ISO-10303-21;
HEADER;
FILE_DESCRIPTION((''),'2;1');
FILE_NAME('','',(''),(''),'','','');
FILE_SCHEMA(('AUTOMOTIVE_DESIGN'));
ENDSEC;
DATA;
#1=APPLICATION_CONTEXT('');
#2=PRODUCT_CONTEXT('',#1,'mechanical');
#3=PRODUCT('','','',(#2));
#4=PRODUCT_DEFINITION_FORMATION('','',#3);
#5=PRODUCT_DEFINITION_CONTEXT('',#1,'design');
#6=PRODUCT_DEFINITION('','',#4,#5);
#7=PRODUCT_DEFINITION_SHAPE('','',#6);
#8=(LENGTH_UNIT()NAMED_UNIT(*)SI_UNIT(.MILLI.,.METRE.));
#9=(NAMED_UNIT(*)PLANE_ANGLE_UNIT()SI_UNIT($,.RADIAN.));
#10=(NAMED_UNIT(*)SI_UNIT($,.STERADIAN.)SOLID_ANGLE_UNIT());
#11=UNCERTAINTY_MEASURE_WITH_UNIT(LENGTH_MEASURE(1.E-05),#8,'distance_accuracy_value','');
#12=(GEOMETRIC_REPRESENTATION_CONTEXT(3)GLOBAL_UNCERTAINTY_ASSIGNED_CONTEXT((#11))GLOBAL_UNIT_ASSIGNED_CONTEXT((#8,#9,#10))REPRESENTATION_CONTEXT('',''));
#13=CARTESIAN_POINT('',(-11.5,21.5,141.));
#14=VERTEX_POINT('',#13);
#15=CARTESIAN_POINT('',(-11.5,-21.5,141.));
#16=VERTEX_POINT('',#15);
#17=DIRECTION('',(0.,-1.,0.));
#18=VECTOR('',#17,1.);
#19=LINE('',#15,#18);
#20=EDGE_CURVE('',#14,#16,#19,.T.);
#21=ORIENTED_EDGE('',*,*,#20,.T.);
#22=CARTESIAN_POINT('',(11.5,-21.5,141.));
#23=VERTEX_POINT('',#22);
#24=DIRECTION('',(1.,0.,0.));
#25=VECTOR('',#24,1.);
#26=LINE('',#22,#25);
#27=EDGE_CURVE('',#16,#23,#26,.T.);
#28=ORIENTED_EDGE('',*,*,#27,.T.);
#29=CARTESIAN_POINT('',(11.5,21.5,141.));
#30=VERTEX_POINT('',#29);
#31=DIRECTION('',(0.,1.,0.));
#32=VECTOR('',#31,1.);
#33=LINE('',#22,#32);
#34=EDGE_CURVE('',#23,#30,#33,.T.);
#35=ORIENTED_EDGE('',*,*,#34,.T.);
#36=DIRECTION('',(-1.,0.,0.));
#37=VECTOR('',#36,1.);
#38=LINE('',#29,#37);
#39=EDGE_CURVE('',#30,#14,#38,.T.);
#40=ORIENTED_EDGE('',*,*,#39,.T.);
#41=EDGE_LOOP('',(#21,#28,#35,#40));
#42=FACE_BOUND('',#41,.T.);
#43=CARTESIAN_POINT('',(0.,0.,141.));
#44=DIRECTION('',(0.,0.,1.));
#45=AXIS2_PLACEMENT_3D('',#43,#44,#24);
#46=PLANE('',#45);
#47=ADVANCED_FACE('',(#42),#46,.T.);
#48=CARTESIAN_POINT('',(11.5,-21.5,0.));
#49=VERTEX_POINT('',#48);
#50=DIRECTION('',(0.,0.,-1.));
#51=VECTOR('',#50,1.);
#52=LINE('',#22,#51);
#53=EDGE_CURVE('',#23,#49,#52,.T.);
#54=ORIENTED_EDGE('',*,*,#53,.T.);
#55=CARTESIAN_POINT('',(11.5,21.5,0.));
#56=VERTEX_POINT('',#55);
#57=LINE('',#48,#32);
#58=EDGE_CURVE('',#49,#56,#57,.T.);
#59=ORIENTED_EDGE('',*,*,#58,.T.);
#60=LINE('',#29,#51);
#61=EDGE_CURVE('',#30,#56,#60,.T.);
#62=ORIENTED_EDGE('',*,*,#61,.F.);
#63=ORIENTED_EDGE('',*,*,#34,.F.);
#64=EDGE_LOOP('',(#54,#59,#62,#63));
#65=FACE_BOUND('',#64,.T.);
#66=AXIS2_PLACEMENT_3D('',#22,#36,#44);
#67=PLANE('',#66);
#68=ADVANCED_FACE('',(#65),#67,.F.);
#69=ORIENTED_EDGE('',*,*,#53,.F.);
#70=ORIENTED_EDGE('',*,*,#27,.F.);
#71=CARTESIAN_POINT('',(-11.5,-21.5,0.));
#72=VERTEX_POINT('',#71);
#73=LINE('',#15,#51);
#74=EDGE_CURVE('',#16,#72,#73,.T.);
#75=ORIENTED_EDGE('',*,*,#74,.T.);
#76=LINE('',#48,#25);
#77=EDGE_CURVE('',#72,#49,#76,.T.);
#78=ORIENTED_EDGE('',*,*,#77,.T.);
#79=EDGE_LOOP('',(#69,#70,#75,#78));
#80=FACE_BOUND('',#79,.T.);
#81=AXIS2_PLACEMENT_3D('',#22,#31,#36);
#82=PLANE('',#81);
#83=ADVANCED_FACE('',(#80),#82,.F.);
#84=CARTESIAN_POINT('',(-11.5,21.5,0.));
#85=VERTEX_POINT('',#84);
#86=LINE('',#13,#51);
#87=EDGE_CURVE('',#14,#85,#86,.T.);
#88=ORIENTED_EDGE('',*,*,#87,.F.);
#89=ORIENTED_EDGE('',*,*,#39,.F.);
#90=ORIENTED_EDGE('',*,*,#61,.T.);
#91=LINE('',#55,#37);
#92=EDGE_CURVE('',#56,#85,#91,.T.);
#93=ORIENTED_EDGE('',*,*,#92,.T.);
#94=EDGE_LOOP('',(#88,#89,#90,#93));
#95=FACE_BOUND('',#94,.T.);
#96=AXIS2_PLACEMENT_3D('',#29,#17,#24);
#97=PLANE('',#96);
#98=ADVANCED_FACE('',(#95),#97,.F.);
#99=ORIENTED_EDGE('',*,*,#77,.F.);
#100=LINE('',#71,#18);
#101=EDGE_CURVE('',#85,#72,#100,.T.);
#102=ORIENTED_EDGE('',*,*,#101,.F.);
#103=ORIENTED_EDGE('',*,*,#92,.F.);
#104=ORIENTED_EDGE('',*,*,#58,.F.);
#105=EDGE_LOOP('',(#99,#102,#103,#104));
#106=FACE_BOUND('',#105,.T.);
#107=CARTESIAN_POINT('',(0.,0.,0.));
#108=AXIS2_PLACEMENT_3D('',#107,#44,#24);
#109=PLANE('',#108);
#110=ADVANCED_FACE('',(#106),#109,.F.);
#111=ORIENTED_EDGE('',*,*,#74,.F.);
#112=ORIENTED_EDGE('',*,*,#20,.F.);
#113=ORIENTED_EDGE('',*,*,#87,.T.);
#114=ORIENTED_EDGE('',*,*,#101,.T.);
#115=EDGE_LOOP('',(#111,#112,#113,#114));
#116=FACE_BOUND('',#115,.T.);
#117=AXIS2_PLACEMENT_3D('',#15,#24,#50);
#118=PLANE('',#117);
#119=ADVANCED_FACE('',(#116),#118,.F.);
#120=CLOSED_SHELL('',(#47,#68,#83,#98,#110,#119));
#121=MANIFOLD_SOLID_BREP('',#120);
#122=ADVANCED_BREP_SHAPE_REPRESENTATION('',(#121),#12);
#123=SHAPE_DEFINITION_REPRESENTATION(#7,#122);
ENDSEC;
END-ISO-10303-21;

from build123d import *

# Parameters (mm, degrees)
SCHIZZO1_W                   = 23
SCHIZZO1_H                   = 43
ESTRUSIONE_ESTRUSIONE1_DEPTH = 141


with BuildPart() as part:
    # Schizzo1 → Estrusione-Estrusione1 (new body)
    with BuildSketch(Plane.XY):
        Rectangle(SCHIZZO1_W, SCHIZZO1_H)
    extrude(amount=ESTRUSIONE_ESTRUSIONE1_DEPTH)


solid = part.part
